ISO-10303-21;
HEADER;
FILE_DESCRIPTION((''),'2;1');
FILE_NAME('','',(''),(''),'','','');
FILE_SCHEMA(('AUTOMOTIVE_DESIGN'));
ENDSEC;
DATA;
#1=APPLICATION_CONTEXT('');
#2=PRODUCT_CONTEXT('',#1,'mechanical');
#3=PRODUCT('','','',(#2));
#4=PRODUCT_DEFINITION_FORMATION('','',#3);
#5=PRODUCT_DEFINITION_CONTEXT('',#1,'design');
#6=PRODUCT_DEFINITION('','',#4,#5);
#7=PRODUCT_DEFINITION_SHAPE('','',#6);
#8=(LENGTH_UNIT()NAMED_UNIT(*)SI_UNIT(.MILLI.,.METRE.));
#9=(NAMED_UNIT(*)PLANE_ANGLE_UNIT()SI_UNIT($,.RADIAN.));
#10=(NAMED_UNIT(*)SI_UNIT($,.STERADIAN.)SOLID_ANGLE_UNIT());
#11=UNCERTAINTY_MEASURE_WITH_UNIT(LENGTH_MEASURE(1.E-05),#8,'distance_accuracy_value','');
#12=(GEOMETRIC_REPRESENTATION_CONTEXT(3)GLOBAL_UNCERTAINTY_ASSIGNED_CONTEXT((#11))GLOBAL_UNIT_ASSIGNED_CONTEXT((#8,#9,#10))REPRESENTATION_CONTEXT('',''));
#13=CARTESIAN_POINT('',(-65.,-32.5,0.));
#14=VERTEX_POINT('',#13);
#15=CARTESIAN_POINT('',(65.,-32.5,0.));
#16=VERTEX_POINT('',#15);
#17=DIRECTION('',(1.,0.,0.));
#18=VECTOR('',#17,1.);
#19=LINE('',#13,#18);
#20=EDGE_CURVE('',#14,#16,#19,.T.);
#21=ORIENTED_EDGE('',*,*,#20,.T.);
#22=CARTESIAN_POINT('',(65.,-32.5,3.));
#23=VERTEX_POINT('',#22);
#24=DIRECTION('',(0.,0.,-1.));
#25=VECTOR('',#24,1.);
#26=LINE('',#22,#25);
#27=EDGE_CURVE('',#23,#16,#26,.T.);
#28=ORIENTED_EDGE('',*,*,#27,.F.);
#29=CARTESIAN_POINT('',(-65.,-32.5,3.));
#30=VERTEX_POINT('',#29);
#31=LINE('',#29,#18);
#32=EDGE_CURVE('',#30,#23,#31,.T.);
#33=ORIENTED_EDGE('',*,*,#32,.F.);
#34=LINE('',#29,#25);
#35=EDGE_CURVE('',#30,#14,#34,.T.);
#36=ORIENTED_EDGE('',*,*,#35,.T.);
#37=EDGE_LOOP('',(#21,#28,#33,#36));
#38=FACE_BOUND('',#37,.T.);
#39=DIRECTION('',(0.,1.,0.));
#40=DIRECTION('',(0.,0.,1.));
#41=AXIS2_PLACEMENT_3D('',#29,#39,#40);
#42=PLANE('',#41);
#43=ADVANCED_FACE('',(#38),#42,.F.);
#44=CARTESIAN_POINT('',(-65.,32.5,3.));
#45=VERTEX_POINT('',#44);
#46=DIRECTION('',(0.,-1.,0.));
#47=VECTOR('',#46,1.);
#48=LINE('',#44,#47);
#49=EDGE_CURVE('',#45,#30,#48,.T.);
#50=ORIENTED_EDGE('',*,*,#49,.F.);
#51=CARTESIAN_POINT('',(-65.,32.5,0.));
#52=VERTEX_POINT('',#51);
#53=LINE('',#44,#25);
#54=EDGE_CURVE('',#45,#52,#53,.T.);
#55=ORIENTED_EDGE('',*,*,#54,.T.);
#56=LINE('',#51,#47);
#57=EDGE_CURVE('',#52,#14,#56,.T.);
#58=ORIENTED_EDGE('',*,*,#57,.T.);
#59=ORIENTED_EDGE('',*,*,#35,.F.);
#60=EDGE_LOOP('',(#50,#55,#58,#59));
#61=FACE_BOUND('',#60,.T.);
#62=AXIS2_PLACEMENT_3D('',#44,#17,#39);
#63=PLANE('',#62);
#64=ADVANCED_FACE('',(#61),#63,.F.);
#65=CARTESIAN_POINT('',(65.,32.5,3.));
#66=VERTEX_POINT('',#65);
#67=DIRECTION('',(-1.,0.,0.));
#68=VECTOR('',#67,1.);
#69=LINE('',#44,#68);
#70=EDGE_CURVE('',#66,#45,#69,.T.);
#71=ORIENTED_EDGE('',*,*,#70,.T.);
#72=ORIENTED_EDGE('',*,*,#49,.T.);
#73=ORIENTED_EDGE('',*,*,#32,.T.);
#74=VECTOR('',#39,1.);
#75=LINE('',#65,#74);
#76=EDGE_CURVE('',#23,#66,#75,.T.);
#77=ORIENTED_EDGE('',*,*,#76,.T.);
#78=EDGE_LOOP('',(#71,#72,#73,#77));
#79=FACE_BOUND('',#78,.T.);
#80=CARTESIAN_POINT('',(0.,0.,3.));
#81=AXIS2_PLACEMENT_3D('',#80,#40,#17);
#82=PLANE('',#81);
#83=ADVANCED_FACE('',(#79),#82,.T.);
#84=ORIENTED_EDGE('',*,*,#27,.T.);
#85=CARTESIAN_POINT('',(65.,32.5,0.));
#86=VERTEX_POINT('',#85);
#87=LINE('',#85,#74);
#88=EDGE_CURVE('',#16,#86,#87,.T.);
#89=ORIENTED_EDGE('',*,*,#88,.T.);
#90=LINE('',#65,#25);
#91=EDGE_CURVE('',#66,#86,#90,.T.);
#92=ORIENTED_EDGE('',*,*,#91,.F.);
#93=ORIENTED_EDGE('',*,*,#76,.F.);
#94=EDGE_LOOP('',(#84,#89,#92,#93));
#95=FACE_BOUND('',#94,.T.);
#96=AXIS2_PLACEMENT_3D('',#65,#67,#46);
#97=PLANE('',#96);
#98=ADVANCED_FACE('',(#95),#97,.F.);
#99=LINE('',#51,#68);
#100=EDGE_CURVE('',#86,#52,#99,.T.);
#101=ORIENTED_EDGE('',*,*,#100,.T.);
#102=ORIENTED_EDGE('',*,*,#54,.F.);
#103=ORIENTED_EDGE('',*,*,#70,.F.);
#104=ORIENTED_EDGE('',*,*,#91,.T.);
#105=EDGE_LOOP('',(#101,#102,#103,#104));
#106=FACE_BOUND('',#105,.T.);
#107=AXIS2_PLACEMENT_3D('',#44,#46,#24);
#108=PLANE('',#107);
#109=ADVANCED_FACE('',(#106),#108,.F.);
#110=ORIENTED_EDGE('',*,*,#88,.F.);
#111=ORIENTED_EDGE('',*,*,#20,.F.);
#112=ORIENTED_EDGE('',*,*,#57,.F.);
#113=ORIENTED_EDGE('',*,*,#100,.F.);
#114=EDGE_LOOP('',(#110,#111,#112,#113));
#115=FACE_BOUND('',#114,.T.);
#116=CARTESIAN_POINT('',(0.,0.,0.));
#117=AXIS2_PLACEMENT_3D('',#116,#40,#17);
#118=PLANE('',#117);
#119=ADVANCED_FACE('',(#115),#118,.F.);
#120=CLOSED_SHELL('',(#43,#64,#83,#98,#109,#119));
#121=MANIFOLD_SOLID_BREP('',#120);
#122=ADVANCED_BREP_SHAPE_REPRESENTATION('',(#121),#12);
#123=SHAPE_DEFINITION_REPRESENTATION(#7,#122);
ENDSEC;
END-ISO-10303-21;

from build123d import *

# Parameters (mm, degrees)
SKETCH_1_W      = 130
SKETCH_1_H      = 65
EXTRUDE_1_DEPTH = 3


with BuildPart() as part:
    # 草图1 → 凸台-拉伸1 (new body)
    with BuildSketch(Plane.XY):
        Rectangle(SKETCH_1_W, SKETCH_1_H)
    extrude(amount=EXTRUDE_1_DEPTH)


solid = part.part
